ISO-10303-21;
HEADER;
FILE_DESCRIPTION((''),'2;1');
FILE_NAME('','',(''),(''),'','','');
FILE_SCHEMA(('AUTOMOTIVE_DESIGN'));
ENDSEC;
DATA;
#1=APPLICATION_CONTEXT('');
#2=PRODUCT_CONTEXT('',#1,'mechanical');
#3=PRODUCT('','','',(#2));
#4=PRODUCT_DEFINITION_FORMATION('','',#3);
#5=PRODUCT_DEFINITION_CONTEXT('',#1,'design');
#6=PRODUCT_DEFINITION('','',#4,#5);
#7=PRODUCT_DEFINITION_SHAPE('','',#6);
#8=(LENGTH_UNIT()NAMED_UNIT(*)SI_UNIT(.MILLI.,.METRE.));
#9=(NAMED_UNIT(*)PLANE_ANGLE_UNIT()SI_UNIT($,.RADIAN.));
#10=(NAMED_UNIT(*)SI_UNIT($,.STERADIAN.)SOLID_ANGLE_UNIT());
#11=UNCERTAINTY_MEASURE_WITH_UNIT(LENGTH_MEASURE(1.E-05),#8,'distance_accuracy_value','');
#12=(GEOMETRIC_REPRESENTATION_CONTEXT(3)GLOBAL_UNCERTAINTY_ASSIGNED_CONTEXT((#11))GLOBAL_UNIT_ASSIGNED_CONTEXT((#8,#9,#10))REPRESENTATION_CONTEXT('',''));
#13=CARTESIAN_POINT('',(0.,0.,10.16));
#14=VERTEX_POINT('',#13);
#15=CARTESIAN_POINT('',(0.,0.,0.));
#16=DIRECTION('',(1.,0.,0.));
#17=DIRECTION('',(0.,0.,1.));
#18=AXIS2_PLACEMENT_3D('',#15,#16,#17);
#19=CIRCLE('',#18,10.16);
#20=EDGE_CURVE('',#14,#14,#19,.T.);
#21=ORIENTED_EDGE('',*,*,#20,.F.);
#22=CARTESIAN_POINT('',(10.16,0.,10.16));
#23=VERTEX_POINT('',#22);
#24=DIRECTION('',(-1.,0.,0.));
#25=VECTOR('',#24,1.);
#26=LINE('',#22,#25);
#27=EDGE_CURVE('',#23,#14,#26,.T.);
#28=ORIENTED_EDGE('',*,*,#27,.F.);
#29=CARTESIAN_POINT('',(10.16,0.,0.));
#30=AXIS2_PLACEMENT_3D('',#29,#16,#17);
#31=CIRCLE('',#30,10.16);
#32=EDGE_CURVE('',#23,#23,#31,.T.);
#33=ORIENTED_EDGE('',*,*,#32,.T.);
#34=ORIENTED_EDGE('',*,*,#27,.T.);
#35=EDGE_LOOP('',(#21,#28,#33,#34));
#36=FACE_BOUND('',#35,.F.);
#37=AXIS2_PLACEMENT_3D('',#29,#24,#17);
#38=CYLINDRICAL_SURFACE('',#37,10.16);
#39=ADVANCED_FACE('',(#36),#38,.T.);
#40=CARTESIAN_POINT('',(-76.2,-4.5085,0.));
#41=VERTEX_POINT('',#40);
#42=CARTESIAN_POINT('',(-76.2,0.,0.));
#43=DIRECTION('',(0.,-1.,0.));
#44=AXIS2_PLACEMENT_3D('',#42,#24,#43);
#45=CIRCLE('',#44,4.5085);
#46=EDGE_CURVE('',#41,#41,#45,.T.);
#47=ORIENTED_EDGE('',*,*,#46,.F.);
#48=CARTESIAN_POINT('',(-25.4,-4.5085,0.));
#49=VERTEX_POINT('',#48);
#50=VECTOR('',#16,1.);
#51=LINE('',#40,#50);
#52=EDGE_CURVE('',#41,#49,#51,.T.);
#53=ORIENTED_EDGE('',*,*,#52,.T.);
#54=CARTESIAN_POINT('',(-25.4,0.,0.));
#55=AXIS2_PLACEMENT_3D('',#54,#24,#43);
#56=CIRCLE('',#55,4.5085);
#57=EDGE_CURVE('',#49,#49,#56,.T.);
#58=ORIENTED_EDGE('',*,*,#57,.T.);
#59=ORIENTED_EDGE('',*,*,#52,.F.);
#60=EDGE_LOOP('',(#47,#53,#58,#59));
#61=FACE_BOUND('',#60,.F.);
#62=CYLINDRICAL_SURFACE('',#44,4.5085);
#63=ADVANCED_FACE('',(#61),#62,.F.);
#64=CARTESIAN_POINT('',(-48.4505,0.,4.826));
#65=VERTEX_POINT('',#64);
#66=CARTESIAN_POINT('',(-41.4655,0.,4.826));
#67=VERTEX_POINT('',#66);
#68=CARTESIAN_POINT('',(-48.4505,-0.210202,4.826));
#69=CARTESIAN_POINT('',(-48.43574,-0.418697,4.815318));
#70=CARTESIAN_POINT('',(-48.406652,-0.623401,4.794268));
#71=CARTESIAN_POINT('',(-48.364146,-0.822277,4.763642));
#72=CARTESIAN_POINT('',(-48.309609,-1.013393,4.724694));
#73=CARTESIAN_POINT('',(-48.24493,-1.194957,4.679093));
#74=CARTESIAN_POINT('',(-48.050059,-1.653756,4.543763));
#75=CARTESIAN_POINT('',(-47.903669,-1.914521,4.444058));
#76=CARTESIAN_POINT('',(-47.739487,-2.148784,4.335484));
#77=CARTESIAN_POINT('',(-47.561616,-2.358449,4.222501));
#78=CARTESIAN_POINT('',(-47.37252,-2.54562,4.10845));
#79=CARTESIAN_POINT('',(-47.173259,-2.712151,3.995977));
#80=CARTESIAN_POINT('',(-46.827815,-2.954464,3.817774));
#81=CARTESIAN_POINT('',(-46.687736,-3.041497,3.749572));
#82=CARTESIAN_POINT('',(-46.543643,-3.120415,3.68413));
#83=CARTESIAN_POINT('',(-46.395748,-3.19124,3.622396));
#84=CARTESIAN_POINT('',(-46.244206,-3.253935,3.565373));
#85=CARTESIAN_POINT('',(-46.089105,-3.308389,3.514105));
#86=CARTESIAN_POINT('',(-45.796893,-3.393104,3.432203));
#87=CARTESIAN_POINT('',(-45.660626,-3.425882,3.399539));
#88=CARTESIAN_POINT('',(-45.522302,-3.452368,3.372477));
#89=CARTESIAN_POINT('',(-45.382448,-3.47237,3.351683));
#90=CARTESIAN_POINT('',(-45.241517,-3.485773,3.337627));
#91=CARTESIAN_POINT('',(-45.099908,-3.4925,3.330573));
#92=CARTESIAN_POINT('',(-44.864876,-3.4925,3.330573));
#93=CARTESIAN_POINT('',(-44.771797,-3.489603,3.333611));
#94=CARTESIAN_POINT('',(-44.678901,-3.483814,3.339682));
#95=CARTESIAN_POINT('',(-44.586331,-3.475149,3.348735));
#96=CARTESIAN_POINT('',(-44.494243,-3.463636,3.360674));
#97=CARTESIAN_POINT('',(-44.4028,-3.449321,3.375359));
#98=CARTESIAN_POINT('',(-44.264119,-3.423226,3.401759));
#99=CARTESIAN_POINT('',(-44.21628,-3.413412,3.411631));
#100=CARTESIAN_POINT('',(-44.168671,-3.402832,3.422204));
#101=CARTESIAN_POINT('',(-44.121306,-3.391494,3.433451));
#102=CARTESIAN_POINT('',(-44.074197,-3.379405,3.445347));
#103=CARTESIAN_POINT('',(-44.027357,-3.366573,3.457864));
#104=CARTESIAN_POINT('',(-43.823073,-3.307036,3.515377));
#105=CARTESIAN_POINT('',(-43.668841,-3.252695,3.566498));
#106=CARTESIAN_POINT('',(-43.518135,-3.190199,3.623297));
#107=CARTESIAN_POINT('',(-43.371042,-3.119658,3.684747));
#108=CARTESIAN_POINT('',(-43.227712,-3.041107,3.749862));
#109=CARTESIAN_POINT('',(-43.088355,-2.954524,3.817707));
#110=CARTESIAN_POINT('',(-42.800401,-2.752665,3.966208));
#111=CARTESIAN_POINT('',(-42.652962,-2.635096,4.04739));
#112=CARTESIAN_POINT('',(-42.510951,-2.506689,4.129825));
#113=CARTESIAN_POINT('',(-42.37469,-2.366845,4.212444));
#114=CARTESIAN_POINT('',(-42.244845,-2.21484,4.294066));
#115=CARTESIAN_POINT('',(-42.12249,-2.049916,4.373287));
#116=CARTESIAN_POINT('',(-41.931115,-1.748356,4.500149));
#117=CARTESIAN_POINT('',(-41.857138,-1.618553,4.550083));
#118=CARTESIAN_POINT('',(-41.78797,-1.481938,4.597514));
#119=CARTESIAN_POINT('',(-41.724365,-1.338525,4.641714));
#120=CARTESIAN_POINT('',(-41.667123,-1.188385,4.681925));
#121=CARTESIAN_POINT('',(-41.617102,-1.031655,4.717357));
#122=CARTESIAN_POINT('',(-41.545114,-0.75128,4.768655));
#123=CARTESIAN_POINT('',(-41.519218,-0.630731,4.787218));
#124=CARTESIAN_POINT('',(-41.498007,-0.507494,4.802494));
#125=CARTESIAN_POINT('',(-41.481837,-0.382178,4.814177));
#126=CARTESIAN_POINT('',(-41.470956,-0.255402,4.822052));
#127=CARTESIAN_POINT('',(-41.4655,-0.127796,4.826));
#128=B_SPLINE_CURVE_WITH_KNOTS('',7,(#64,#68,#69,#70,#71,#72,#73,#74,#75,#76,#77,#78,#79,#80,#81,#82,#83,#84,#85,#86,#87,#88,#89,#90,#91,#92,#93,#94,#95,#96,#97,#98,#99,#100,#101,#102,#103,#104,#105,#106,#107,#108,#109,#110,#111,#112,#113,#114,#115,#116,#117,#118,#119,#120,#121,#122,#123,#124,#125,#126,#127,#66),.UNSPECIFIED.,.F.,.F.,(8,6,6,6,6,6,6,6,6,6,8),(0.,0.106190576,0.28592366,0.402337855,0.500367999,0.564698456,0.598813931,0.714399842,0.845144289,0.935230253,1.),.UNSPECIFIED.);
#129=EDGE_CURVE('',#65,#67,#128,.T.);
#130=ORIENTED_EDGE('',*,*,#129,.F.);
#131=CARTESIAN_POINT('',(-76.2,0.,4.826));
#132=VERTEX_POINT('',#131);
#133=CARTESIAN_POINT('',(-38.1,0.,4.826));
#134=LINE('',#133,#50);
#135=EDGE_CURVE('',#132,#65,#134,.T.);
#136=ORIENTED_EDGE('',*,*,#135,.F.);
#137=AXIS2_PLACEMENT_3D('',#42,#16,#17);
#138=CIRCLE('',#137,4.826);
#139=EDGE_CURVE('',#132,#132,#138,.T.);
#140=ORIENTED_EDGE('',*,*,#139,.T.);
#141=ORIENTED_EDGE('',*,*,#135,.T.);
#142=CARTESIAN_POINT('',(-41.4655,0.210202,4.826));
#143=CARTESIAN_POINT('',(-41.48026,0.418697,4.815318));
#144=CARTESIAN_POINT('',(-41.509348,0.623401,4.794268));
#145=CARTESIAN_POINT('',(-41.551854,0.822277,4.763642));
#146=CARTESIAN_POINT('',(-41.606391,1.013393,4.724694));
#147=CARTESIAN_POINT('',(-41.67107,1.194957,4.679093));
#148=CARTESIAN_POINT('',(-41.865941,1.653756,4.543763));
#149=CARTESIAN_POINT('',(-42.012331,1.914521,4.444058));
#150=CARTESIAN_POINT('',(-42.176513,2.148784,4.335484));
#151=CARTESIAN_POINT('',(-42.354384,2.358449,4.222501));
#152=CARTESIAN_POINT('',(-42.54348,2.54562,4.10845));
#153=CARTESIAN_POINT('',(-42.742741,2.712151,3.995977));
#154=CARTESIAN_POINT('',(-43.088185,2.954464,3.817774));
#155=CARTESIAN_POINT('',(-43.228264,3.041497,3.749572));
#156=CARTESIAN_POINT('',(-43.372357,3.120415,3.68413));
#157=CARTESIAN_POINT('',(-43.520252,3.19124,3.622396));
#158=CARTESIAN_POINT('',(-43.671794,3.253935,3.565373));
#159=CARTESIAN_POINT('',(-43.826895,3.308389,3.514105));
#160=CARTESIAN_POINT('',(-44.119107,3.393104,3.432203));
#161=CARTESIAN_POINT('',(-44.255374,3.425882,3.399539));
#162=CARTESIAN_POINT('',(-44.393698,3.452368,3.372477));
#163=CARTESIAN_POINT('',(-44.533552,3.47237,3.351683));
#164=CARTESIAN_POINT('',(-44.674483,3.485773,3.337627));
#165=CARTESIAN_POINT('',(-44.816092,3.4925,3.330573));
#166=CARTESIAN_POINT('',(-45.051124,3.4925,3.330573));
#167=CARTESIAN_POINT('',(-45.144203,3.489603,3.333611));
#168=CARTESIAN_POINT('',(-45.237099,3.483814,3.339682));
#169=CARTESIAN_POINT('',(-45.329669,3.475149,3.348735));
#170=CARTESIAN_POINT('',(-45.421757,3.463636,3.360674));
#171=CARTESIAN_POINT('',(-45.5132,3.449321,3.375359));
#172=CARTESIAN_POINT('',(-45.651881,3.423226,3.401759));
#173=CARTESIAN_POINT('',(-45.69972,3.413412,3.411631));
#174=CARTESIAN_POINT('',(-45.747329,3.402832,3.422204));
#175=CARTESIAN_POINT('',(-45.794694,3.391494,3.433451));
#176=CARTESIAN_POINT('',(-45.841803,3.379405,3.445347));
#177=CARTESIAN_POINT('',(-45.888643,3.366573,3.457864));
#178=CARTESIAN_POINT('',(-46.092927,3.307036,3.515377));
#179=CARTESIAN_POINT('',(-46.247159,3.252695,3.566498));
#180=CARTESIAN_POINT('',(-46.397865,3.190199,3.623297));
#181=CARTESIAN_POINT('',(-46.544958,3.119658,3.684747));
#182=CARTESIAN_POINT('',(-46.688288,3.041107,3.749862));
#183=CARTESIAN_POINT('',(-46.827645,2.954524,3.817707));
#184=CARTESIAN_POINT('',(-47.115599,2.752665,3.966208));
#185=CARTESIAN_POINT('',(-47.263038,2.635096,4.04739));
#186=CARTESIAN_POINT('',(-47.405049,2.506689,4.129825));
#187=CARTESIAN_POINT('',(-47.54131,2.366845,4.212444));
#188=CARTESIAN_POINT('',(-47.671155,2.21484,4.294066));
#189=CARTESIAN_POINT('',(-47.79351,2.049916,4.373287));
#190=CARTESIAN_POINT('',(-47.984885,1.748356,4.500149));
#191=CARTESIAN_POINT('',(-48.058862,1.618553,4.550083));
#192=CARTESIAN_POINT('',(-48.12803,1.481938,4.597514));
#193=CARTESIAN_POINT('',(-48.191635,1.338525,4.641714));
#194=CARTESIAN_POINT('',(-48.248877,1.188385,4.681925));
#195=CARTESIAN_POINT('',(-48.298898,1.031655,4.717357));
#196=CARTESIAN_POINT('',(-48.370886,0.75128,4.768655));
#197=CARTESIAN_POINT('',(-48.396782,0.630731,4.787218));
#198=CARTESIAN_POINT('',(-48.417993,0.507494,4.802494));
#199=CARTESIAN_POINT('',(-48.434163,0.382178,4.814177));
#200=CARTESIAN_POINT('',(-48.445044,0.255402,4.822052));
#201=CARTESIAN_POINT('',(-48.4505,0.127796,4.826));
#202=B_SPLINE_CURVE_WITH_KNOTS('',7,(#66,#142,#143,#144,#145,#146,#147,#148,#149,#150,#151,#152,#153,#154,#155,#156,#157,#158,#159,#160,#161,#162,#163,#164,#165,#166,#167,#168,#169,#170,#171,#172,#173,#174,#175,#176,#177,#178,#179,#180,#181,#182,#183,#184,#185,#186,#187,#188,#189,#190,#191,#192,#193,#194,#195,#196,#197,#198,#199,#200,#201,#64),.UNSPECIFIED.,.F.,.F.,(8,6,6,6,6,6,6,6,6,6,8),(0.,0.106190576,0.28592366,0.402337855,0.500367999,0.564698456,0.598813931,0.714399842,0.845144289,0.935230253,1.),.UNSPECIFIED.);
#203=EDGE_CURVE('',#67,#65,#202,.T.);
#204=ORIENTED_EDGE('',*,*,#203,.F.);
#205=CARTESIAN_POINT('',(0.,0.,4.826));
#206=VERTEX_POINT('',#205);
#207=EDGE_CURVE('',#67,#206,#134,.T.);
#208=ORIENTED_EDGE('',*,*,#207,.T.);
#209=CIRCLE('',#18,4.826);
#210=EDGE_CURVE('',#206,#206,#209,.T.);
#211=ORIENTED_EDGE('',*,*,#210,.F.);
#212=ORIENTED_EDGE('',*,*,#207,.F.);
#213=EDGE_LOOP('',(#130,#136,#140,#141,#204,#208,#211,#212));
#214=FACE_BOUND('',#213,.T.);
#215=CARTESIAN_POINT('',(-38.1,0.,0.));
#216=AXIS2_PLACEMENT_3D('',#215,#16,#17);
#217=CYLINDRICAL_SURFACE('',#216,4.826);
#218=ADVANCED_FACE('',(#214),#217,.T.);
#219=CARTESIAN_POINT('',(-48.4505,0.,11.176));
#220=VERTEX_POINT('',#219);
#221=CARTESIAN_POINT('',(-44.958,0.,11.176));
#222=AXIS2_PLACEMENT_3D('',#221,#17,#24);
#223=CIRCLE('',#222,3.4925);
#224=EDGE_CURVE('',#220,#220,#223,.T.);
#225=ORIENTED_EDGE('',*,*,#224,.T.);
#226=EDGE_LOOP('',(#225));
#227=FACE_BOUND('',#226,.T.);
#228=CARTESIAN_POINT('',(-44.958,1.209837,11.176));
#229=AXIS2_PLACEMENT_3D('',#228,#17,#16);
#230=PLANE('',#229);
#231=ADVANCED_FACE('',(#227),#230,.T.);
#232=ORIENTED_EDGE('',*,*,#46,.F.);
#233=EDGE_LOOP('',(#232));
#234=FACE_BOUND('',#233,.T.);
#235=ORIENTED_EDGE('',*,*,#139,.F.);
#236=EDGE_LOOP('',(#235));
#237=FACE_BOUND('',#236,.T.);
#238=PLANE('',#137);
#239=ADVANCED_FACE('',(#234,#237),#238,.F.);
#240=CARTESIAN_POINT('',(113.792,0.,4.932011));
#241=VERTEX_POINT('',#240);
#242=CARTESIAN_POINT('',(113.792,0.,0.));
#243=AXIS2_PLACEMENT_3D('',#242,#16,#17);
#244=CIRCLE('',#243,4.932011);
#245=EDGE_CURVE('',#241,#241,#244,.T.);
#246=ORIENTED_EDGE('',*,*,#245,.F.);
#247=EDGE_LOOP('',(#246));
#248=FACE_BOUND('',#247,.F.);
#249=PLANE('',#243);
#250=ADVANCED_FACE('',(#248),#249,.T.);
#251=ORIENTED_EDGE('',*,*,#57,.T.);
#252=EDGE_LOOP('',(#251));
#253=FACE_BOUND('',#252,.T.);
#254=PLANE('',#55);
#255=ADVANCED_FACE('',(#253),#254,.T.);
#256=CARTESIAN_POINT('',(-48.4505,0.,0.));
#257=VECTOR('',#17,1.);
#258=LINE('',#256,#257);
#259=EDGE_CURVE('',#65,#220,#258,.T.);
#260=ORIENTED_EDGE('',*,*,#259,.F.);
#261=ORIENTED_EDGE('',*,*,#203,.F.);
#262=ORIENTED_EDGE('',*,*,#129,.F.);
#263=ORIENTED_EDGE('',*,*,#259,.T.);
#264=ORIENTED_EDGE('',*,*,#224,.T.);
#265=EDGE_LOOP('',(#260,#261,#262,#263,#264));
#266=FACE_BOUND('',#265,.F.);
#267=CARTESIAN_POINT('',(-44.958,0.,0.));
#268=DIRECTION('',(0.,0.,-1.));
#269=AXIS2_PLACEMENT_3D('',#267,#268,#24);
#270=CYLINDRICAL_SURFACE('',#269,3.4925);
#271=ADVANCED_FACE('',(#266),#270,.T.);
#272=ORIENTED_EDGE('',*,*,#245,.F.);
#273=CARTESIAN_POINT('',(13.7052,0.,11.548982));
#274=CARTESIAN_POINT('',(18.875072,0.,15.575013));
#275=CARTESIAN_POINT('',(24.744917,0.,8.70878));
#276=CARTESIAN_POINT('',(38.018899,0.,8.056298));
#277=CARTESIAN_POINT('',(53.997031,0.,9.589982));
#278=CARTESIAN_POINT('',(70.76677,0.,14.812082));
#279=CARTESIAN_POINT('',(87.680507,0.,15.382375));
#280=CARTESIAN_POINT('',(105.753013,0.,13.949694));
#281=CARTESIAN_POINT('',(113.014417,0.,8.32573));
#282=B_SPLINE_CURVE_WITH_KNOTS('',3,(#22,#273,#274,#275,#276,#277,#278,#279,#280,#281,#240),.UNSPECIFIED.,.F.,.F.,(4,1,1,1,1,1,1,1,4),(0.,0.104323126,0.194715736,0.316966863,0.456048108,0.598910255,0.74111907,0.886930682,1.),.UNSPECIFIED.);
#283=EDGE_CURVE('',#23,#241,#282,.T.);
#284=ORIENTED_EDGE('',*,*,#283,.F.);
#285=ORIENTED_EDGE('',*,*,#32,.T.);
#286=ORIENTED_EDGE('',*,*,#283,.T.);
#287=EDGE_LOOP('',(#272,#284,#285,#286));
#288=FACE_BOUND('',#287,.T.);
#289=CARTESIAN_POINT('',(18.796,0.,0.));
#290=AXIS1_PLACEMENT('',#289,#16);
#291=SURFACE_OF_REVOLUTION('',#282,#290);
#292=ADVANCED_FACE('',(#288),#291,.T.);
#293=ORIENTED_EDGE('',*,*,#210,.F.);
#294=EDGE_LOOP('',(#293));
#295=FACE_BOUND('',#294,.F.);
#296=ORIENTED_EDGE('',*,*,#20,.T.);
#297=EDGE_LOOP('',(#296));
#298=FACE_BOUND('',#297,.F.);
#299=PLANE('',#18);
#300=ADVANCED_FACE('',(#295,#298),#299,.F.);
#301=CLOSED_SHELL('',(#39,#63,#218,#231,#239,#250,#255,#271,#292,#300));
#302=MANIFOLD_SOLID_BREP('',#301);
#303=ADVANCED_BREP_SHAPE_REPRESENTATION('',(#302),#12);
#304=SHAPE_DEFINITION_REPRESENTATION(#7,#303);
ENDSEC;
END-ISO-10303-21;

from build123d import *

# Parameters (mm, degrees)
F0_W     = 76.2
F0_H     = 4.826
F3_DEPTH = 11.176
F4_R     = 4.5085
F5_DEPTH = 50.8


with BuildPart() as f1:
    # F0 (on Front) → F1 (revolve)
    with BuildSketch(Plane.XZ):
        with Locations((-38.1, 2.413)):
            Rectangle(F0_W, F0_H)
        Polygon((0, 4.826), (0, 0), (10.16, 0), (10.16, 10.16), (0, 10.16), align=None)
        with BuildLine():
            Line((10.16, 10.16), (10.16, 0))
            Line((10.16, 0), (18.796, 0))
            Line((18.796, 0), (53.848, 0))
            Line((53.848, 0), (113.792, 0))
            Line((113.792, 0), (113.792, 4.9320105463))
            add(Edge.make_bspline(
                [(10.16, 10.16), (13.7052002053, 11.5489816795), (18.8750721399, 15.575013351), (24.7449167559, 8.7087798176), (38.0188993062, 8.0562980931), (53.997031353, 9.5899815331), (70.7667696282, 14.8120816393), (87.6805073033, 15.3823754953), (105.7530127128, 13.9496938754), (113.0144173366, 8.3257304953), (113.792, 4.9320105463)],
                knots=[0, 0, 0, 0, 0.1043231262, 0.194715736, 0.3169668625, 0.4560481077, 0.598910255, 0.7411190704, 0.8869306816, 1, 1, 1, 1], degree=3))
        make_face()
    revolve(axis=Axis((18.796, 0, 0), (1, 0, 0)))

    # F2 (on Top) → F3 (join)
    with BuildSketch(Plane.XY):
        with BuildLine():
            ThreePointArc((-41.4655, 0), (-44.958, 3.4925), (-48.4505, 0))
            Line((-48.4505, 0), (-41.4655, 0))
        make_face()
        with BuildLine():
            Line((-41.4655, 0), (-48.4505, 0))
            ThreePointArc((-48.4505, 0), (-44.958, -3.4925), (-41.4655, 0))
        make_face()
    extrude(amount=F3_DEPTH)


with BuildPart() as f5:
    # F4 (on face) → F5 (new body)
    with BuildSketch(Plane(origin=(-76.2, 0, 0), x_dir=(0, -1, 0), z_dir=(-1, 0, 0))):
        Circle(F4_R)
    extrude(amount=-F5_DEPTH)


with BuildPart() as f1_1:
    add(f1.part)

    # F6: cut F5
    add(f5.part, mode=Mode.SUBTRACT)


solid = f1_1.part
